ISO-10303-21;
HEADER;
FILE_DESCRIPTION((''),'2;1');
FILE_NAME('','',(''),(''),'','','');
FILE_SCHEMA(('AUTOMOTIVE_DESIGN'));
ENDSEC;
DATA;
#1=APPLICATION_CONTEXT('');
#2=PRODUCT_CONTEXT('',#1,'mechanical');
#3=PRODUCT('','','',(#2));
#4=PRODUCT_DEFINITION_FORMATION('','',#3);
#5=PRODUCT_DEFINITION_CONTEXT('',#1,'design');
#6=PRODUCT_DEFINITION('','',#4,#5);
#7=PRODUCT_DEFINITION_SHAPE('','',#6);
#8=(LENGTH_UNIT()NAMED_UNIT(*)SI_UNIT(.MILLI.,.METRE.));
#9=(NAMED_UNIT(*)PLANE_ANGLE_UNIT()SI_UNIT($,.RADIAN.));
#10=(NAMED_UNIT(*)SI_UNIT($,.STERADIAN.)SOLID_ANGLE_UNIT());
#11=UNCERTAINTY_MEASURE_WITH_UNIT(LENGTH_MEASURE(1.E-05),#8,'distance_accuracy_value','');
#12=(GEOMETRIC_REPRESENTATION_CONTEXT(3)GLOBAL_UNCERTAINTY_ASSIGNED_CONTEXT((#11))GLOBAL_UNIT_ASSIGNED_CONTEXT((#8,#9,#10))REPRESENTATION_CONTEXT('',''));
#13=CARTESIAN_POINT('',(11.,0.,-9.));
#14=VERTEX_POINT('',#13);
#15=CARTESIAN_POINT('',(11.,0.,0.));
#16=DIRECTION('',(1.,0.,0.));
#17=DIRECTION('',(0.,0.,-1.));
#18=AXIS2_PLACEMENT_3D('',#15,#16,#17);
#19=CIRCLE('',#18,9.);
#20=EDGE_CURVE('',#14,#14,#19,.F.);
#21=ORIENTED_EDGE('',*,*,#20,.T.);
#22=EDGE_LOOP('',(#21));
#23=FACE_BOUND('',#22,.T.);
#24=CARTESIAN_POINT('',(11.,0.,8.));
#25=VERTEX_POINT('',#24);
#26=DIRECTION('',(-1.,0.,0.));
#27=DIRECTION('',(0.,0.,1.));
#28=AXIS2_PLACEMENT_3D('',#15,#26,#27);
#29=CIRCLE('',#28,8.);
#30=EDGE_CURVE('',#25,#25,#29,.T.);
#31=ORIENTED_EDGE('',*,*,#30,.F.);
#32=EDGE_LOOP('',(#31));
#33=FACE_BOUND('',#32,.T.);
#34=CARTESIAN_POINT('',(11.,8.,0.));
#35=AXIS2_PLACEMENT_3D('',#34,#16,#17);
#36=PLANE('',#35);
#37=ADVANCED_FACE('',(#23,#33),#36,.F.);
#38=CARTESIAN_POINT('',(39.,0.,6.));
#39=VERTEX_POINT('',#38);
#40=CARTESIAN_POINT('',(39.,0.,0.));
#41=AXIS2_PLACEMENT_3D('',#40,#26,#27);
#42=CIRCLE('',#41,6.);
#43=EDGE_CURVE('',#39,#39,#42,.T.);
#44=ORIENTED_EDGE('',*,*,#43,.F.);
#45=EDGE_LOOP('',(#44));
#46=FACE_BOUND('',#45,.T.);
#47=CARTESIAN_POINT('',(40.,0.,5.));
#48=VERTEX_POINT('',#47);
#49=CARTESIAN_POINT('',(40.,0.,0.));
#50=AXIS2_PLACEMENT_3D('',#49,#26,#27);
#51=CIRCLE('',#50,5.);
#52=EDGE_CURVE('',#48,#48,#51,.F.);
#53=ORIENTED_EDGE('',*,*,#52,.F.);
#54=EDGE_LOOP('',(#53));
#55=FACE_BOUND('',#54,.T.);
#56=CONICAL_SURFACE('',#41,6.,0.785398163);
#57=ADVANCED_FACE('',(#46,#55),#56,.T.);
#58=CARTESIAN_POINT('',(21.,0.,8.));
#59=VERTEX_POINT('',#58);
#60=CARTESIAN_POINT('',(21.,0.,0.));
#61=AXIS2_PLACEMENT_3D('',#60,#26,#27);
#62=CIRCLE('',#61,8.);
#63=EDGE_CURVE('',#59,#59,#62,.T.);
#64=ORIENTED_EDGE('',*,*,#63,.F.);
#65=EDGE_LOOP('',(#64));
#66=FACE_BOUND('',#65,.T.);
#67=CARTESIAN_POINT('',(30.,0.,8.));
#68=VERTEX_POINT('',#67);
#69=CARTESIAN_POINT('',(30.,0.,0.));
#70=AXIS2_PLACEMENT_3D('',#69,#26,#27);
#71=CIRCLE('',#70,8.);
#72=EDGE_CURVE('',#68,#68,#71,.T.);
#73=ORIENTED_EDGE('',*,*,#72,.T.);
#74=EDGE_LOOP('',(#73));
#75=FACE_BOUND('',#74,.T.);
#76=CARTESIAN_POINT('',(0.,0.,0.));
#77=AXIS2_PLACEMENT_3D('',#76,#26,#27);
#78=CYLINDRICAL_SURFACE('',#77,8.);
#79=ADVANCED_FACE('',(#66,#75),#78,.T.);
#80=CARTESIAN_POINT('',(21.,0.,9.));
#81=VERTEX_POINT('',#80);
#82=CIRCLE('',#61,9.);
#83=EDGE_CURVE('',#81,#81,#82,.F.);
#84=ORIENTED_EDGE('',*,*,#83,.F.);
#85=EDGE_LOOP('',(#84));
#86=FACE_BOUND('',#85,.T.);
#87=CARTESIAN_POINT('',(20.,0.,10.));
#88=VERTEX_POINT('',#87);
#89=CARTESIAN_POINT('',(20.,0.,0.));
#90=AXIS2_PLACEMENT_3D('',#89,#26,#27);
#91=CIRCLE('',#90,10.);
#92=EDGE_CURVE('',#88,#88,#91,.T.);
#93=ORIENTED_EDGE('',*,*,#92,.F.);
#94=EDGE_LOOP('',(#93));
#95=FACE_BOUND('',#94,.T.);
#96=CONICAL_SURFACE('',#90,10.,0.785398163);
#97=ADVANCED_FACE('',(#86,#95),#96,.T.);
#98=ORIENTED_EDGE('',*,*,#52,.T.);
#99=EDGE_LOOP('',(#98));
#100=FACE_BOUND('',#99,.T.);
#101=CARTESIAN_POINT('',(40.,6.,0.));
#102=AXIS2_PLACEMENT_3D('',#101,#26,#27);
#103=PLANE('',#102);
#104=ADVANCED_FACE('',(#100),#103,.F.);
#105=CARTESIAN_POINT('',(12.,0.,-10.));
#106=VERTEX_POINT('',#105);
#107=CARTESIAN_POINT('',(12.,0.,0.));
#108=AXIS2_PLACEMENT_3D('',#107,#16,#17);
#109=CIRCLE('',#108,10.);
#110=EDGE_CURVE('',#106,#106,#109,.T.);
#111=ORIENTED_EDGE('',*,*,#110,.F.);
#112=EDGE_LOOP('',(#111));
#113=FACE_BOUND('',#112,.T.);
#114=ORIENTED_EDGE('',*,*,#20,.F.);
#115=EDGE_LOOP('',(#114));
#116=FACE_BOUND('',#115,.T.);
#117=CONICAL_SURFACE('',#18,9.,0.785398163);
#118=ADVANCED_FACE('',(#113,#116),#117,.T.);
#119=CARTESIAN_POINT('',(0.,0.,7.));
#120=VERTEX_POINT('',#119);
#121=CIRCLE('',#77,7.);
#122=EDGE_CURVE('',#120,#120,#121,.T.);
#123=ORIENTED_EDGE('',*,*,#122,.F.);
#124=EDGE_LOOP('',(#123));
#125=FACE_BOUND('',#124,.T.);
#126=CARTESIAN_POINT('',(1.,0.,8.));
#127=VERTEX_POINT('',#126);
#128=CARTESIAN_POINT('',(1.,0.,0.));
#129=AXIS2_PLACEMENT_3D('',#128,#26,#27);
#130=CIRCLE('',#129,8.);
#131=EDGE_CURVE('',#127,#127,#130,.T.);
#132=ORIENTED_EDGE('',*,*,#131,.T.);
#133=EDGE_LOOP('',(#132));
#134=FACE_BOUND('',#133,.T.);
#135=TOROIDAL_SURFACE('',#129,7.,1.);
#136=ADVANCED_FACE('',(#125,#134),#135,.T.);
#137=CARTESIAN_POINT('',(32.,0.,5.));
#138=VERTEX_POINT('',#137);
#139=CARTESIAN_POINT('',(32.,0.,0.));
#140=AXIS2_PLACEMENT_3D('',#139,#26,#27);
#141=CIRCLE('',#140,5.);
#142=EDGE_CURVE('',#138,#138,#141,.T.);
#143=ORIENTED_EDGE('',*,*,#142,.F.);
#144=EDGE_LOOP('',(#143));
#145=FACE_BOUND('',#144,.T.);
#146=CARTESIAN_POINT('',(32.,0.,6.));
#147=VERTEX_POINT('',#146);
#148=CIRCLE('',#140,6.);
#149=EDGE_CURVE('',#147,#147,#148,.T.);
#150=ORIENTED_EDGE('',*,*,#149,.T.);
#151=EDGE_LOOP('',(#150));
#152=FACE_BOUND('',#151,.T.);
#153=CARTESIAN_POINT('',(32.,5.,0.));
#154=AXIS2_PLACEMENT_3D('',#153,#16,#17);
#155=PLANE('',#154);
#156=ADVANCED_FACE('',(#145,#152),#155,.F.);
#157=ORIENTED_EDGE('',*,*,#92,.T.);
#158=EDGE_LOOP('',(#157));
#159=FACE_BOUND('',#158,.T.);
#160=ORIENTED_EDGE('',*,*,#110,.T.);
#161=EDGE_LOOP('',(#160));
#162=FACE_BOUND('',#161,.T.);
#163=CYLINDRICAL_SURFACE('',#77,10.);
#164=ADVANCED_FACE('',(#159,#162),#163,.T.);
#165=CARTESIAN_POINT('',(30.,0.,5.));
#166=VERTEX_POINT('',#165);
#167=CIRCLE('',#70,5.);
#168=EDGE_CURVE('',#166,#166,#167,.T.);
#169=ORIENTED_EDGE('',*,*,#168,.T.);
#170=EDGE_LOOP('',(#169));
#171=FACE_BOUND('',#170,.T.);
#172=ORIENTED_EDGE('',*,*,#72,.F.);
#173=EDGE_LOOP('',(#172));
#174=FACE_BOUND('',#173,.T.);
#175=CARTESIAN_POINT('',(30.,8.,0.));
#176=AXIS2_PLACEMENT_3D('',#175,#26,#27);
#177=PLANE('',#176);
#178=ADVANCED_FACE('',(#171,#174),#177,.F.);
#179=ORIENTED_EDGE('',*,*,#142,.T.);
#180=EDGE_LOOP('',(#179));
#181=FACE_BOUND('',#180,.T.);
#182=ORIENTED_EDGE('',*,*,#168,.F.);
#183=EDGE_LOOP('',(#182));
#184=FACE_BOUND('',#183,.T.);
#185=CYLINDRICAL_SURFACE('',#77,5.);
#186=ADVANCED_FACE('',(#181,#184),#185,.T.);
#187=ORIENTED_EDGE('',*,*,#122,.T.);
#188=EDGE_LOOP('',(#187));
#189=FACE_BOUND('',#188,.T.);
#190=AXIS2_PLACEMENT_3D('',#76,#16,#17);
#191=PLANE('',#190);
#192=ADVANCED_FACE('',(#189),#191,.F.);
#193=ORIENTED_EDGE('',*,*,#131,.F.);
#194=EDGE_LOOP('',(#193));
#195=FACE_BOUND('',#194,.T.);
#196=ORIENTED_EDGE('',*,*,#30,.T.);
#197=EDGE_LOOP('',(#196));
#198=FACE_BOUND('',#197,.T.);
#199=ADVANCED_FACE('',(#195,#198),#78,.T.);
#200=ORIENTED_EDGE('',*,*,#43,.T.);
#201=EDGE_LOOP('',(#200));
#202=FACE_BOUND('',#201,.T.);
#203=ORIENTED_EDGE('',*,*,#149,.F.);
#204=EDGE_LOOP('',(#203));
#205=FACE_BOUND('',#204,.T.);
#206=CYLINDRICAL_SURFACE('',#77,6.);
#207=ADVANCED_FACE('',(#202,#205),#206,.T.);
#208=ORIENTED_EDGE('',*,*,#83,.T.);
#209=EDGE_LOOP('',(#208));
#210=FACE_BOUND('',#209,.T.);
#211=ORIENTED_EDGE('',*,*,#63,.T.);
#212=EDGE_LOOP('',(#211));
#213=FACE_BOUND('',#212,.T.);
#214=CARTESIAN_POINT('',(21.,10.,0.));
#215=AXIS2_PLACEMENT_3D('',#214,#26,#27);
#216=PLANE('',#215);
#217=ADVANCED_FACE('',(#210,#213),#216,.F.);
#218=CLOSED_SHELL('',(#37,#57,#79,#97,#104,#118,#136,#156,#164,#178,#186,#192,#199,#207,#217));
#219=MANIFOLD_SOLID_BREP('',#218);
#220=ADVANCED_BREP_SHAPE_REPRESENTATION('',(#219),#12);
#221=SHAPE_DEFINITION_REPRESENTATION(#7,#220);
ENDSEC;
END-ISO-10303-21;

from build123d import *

# Parameters (mm, degrees)
CHAMFER_1_SIZE = 1
CHAMFER_2_SIZE = 1


with BuildPart() as part:
    # 草图1 → 旋转1 (revolve)
    with BuildSketch(Plane.XY, mode=Mode.PRIVATE) as revolve_1_sk:
        with BuildLine():
            Line((0, 0), (0, 7))
            ThreePointArc((0, 7), (0.292893219, 7.707106781), (1, 8))
            Line((1, 8), (11, 8))
            Line((11, 8), (11, 10))
            Line((11, 10), (21, 10))
            Line((21, 10), (21, 8))
            Line((21, 8), (30, 8))
            Line((30, 8), (30, 5))
            Line((30, 5), (32, 5))
            Line((32, 5), (32, 6))
            Line((32, 6), (40, 6))
            Line((40, 6), (40, 0))
            Line((40, 0), (0, 0))
        make_face()
    revolve(revolve_1_sk.sketch.rotate(Axis((0, 0, 0), (1, 0, 0)), 90), axis=Axis((0, 0, 0), (1, 0, 0)))

    # 倒角1
    chamfer_1_edges = [part.edges().sort_by_distance(p)[0] for p in [
        (11, 0, -10),
        (21, 0, -10),
    ]]
    chamfer(chamfer_1_edges, length=CHAMFER_1_SIZE)

    # 倒角2
    chamfer_2_edges = [part.edges().sort_by_distance(p)[0] for p in [
        (40, 0, -6),
    ]]
    chamfer(chamfer_2_edges, length=CHAMFER_2_SIZE)


solid = part.part
